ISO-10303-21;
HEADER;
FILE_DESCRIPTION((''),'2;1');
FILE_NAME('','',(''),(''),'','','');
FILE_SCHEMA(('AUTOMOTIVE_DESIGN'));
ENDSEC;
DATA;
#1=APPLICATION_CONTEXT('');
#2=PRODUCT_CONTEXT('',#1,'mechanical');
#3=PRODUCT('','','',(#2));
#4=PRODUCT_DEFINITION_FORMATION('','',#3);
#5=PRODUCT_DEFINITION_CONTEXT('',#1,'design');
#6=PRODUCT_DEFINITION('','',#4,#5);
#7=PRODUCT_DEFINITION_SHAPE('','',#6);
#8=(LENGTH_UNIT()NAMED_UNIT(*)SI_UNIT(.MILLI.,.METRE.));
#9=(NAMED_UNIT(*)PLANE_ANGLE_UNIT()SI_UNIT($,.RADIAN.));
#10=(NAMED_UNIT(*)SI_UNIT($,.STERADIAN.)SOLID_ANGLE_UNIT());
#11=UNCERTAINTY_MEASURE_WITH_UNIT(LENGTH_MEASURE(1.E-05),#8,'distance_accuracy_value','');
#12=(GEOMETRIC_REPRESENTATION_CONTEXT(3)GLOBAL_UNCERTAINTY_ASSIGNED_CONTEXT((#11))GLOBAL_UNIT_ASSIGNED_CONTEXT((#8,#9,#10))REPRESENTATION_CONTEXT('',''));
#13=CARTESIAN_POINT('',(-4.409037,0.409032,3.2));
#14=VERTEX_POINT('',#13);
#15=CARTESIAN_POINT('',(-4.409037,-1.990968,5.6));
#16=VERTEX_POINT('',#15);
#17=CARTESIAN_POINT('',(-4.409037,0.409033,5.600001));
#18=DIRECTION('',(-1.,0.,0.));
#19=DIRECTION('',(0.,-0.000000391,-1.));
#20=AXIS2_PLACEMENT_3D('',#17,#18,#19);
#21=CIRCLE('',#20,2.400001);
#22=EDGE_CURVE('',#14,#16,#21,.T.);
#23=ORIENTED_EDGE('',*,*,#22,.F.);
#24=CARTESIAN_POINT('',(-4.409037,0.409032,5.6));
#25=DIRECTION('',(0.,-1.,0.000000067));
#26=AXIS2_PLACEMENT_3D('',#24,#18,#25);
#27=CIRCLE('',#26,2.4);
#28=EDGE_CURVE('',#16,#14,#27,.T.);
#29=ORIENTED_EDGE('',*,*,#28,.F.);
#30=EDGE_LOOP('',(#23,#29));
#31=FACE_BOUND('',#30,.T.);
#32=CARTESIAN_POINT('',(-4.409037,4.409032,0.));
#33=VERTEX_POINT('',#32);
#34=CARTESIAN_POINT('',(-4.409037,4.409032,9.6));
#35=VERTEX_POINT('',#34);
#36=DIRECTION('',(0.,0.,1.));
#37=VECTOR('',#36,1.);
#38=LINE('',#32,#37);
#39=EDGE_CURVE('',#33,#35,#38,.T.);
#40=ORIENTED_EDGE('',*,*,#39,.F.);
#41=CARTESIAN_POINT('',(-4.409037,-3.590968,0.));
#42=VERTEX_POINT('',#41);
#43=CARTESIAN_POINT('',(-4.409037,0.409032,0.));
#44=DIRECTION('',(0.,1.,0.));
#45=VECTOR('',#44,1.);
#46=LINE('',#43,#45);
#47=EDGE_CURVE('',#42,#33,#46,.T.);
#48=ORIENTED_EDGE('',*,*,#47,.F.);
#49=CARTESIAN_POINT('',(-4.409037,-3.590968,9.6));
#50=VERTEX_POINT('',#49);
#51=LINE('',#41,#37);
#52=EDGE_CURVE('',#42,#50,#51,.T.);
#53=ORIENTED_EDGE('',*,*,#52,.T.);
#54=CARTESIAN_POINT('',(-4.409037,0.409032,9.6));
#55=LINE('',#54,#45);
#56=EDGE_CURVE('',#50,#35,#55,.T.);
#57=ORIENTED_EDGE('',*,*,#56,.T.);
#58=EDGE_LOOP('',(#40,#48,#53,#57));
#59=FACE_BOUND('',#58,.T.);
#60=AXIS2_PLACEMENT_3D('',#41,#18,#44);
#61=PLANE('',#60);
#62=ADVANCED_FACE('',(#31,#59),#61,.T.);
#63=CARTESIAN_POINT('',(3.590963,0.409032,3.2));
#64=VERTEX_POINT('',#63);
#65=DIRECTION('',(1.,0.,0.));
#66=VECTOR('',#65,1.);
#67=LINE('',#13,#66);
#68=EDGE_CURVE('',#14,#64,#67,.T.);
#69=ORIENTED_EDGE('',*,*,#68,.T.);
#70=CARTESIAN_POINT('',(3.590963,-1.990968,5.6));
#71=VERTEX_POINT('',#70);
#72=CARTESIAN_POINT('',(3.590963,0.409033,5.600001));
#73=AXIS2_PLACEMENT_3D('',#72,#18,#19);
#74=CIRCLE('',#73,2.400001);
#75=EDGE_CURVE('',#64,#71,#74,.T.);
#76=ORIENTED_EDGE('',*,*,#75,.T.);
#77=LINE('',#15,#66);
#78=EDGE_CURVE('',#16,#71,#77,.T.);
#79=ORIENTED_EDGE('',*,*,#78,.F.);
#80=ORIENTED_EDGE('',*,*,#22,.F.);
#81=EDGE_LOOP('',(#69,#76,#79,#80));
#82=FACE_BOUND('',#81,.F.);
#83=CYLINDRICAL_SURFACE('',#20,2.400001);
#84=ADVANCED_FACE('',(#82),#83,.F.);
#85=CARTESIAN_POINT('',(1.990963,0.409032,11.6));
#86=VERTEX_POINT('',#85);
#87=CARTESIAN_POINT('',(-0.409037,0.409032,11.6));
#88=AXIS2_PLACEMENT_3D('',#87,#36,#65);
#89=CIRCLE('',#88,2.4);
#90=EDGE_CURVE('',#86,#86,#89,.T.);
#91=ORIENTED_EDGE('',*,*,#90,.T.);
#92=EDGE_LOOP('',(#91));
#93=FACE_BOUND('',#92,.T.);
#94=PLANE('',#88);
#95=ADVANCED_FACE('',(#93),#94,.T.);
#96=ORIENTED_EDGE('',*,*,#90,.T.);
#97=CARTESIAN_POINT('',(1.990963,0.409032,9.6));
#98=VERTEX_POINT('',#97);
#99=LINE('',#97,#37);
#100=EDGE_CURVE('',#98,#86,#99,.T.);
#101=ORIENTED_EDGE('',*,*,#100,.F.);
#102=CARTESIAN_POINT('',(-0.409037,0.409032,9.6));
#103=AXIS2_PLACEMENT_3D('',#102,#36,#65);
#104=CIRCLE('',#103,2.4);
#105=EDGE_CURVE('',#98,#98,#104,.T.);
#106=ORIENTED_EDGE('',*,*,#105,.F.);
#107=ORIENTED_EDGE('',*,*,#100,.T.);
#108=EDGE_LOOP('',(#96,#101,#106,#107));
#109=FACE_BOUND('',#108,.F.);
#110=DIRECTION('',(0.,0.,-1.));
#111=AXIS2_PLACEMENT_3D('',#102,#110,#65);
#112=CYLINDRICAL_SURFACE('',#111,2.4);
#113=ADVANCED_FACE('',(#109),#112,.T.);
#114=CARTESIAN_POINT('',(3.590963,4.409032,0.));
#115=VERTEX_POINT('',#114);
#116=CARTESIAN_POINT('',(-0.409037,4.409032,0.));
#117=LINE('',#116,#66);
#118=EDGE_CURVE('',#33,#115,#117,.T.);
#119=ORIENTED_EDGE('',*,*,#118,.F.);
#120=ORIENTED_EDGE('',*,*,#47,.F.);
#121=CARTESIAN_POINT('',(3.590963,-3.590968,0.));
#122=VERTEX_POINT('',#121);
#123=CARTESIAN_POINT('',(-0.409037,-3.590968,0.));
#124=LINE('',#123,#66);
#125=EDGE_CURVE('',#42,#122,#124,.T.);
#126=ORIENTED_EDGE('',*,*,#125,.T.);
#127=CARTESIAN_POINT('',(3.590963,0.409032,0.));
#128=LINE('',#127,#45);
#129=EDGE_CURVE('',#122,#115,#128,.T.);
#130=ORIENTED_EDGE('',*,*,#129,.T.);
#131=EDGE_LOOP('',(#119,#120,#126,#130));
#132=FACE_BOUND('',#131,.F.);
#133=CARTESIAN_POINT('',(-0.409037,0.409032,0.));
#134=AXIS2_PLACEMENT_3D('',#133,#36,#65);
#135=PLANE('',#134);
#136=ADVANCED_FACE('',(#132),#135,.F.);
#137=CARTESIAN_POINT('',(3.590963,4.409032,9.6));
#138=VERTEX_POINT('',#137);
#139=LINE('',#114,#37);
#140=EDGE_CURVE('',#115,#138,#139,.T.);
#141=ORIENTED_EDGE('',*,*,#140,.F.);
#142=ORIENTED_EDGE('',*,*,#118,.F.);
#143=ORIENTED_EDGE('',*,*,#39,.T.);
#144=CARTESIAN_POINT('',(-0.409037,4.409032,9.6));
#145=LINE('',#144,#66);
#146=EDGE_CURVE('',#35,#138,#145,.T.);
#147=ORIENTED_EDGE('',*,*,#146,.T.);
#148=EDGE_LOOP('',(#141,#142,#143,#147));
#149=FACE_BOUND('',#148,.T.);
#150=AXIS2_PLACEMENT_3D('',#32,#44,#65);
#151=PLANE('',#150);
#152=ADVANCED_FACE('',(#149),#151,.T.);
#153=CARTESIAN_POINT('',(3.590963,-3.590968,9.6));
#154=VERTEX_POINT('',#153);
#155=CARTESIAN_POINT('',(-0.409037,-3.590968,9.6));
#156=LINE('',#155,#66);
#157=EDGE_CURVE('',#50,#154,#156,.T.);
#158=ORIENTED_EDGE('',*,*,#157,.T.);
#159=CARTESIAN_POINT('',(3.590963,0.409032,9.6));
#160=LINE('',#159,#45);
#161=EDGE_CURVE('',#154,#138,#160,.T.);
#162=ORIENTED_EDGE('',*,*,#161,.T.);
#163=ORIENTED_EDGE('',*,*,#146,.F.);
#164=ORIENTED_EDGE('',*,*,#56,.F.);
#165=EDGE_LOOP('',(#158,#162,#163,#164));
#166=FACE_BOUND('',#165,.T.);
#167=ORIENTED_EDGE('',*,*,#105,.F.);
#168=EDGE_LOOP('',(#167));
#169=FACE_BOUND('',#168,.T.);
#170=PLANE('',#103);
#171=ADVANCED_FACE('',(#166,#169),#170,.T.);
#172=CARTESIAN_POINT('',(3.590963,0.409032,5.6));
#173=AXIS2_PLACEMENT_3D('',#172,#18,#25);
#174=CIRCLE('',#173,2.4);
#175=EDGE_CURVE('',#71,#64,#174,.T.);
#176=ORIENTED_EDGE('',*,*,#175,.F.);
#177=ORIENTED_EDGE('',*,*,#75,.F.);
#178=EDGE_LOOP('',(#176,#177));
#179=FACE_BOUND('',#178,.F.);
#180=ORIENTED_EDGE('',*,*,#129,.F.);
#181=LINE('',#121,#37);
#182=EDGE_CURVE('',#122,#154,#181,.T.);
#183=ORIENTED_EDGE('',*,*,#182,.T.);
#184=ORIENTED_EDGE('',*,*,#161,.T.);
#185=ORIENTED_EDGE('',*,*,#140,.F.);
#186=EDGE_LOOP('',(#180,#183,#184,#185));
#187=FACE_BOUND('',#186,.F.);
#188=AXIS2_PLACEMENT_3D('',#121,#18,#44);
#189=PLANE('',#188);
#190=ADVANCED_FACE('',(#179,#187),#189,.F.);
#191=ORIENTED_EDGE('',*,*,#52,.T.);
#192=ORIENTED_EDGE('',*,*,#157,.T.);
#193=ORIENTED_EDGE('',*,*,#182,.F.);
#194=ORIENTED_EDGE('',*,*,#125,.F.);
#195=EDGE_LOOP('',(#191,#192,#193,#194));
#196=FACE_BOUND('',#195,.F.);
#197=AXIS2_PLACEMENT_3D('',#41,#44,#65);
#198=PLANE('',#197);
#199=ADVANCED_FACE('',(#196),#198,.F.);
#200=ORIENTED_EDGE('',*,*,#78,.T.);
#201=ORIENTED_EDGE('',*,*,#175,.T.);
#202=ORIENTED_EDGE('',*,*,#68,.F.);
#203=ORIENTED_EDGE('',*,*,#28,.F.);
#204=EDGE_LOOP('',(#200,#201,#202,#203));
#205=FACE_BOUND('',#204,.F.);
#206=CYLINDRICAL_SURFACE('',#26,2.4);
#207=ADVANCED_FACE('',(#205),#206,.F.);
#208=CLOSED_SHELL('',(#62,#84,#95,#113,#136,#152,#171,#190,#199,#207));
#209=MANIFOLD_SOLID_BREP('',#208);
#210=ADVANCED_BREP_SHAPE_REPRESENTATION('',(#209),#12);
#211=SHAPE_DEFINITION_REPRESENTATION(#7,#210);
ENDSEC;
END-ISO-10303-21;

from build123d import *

# Parameters (mm, degrees)
F0_W     = 8
F0_H     = 8
F1_DEPTH = 9.6
F3_DEPTH = 25
F4_R     = 2.4
F5_DEPTH = 2


with BuildPart() as f1:
    # F0 (on Top) → F1 (new body)
    with BuildSketch(Plane.XY):
        with Locations((-0.409037, 0.409032)):
            Rectangle(F0_W, F0_H)
    extrude(amount=F1_DEPTH)

    # F2 (on face) → F3 (cut)
    with BuildSketch(Plane(origin=(-4.409037, 0, 0), x_dir=(0, -1, 0), z_dir=(-1, 0, 0))):
        with BuildLine():
            ThreePointArc((1.990968, 5.6), (-2.106088, 7.297056), (-0.409032, 3.2))
            ThreePointArc((-0.409032, 3.2), (1.288024, 3.902944), (1.990968, 5.6))
        make_face()
    extrude(amount=-F3_DEPTH, mode=Mode.SUBTRACT)

    # F4 (on face) → F5 (join)
    with BuildSketch(Plane.XY.offset(9.6)):
        with Locations((-0.409037, 0.409032)):
            Circle(F4_R)
    extrude(amount=F5_DEPTH)


solid = f1.part
